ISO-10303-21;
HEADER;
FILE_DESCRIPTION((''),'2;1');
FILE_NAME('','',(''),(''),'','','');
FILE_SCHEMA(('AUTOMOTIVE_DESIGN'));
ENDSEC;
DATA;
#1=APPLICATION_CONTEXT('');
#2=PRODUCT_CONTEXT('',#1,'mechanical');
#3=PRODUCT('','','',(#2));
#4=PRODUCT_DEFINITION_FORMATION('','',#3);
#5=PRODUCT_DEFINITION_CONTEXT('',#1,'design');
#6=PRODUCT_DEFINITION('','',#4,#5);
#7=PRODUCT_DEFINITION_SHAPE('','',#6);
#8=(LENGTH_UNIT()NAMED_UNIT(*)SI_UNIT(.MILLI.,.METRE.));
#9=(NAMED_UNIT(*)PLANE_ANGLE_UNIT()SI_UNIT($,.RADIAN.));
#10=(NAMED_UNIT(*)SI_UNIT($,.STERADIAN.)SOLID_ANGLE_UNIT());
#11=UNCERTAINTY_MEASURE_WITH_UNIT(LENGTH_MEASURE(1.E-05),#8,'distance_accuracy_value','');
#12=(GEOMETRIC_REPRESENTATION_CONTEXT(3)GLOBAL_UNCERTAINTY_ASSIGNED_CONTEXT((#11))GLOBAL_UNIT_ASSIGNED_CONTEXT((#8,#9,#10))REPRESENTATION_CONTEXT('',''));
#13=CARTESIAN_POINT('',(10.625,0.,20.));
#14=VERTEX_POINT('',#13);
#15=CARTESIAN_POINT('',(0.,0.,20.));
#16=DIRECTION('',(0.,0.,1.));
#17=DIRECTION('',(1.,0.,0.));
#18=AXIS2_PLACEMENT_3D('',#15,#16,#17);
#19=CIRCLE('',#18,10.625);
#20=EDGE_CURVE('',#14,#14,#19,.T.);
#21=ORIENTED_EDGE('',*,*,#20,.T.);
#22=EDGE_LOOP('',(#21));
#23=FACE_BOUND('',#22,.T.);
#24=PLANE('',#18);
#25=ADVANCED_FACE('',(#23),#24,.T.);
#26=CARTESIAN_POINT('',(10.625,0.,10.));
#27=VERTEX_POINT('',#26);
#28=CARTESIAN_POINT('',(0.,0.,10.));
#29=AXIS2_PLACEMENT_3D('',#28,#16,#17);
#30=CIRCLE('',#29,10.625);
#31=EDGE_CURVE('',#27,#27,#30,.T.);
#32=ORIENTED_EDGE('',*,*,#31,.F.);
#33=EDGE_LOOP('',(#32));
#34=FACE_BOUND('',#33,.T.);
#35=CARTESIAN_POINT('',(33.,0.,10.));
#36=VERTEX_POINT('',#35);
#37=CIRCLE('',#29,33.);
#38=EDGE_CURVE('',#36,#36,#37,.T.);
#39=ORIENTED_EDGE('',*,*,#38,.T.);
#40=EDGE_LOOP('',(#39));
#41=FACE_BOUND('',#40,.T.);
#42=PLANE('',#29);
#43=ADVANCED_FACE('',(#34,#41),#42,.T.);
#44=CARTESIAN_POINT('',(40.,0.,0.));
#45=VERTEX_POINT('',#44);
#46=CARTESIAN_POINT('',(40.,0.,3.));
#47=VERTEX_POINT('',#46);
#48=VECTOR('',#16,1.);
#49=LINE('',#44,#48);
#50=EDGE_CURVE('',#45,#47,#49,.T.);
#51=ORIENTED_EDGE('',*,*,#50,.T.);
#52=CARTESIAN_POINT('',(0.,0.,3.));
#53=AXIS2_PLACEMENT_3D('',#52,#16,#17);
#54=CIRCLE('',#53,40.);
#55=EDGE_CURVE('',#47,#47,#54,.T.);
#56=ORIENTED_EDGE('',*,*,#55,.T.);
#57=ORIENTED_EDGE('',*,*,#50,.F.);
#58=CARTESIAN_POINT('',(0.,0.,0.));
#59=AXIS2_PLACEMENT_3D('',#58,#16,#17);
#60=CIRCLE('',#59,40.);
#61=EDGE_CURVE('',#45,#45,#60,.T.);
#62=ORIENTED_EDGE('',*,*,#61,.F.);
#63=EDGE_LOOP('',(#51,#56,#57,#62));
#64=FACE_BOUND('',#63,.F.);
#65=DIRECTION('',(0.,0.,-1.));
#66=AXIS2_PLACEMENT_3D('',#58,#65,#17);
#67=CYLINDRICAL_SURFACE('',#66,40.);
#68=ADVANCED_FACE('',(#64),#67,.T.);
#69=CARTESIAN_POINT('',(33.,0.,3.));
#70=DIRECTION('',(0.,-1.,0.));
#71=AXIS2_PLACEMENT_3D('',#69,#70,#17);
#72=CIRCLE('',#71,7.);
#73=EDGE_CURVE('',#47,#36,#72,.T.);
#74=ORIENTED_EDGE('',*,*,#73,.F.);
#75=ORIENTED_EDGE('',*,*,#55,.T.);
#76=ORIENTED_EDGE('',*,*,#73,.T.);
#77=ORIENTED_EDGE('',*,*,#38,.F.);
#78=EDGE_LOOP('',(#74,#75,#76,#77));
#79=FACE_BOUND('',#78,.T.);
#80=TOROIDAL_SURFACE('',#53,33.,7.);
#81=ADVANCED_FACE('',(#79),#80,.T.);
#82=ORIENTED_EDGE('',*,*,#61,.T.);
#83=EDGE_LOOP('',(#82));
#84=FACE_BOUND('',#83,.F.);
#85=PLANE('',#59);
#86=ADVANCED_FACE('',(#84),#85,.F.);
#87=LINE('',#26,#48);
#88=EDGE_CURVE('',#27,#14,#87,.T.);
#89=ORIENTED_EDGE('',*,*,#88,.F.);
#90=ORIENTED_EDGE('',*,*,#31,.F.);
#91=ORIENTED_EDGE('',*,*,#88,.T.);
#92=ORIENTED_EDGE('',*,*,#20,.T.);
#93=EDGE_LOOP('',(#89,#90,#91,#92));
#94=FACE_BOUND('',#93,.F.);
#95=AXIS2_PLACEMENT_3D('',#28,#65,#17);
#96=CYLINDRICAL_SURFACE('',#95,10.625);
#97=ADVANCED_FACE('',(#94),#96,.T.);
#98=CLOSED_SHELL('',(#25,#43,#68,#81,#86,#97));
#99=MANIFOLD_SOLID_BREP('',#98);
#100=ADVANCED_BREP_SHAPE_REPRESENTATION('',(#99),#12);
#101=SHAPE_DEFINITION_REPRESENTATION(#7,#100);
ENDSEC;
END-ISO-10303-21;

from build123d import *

# Parameters (mm, degrees)
F0_R     = 40
F1_DEPTH = 10
F2_R     = 7
F3_R     = 10.625
F4_DEPTH = 10


with BuildPart() as f1:
    # F0 (on Top) → F1 (new body)
    with BuildSketch(Plane.XY):
        Circle(F0_R)
    extrude(amount=F1_DEPTH)

    # F2
    f2_edges = [f1.edges().sort_by_distance(p)[0] for p in [
        (-40, 0, 10),
    ]]
    fillet(f2_edges, radius=F2_R)

    # F3 (on face) → F4 (join)
    with BuildSketch(Plane.XY.offset(10)):
        Circle(F3_R)
    extrude(amount=F4_DEPTH)


solid = f1.part
